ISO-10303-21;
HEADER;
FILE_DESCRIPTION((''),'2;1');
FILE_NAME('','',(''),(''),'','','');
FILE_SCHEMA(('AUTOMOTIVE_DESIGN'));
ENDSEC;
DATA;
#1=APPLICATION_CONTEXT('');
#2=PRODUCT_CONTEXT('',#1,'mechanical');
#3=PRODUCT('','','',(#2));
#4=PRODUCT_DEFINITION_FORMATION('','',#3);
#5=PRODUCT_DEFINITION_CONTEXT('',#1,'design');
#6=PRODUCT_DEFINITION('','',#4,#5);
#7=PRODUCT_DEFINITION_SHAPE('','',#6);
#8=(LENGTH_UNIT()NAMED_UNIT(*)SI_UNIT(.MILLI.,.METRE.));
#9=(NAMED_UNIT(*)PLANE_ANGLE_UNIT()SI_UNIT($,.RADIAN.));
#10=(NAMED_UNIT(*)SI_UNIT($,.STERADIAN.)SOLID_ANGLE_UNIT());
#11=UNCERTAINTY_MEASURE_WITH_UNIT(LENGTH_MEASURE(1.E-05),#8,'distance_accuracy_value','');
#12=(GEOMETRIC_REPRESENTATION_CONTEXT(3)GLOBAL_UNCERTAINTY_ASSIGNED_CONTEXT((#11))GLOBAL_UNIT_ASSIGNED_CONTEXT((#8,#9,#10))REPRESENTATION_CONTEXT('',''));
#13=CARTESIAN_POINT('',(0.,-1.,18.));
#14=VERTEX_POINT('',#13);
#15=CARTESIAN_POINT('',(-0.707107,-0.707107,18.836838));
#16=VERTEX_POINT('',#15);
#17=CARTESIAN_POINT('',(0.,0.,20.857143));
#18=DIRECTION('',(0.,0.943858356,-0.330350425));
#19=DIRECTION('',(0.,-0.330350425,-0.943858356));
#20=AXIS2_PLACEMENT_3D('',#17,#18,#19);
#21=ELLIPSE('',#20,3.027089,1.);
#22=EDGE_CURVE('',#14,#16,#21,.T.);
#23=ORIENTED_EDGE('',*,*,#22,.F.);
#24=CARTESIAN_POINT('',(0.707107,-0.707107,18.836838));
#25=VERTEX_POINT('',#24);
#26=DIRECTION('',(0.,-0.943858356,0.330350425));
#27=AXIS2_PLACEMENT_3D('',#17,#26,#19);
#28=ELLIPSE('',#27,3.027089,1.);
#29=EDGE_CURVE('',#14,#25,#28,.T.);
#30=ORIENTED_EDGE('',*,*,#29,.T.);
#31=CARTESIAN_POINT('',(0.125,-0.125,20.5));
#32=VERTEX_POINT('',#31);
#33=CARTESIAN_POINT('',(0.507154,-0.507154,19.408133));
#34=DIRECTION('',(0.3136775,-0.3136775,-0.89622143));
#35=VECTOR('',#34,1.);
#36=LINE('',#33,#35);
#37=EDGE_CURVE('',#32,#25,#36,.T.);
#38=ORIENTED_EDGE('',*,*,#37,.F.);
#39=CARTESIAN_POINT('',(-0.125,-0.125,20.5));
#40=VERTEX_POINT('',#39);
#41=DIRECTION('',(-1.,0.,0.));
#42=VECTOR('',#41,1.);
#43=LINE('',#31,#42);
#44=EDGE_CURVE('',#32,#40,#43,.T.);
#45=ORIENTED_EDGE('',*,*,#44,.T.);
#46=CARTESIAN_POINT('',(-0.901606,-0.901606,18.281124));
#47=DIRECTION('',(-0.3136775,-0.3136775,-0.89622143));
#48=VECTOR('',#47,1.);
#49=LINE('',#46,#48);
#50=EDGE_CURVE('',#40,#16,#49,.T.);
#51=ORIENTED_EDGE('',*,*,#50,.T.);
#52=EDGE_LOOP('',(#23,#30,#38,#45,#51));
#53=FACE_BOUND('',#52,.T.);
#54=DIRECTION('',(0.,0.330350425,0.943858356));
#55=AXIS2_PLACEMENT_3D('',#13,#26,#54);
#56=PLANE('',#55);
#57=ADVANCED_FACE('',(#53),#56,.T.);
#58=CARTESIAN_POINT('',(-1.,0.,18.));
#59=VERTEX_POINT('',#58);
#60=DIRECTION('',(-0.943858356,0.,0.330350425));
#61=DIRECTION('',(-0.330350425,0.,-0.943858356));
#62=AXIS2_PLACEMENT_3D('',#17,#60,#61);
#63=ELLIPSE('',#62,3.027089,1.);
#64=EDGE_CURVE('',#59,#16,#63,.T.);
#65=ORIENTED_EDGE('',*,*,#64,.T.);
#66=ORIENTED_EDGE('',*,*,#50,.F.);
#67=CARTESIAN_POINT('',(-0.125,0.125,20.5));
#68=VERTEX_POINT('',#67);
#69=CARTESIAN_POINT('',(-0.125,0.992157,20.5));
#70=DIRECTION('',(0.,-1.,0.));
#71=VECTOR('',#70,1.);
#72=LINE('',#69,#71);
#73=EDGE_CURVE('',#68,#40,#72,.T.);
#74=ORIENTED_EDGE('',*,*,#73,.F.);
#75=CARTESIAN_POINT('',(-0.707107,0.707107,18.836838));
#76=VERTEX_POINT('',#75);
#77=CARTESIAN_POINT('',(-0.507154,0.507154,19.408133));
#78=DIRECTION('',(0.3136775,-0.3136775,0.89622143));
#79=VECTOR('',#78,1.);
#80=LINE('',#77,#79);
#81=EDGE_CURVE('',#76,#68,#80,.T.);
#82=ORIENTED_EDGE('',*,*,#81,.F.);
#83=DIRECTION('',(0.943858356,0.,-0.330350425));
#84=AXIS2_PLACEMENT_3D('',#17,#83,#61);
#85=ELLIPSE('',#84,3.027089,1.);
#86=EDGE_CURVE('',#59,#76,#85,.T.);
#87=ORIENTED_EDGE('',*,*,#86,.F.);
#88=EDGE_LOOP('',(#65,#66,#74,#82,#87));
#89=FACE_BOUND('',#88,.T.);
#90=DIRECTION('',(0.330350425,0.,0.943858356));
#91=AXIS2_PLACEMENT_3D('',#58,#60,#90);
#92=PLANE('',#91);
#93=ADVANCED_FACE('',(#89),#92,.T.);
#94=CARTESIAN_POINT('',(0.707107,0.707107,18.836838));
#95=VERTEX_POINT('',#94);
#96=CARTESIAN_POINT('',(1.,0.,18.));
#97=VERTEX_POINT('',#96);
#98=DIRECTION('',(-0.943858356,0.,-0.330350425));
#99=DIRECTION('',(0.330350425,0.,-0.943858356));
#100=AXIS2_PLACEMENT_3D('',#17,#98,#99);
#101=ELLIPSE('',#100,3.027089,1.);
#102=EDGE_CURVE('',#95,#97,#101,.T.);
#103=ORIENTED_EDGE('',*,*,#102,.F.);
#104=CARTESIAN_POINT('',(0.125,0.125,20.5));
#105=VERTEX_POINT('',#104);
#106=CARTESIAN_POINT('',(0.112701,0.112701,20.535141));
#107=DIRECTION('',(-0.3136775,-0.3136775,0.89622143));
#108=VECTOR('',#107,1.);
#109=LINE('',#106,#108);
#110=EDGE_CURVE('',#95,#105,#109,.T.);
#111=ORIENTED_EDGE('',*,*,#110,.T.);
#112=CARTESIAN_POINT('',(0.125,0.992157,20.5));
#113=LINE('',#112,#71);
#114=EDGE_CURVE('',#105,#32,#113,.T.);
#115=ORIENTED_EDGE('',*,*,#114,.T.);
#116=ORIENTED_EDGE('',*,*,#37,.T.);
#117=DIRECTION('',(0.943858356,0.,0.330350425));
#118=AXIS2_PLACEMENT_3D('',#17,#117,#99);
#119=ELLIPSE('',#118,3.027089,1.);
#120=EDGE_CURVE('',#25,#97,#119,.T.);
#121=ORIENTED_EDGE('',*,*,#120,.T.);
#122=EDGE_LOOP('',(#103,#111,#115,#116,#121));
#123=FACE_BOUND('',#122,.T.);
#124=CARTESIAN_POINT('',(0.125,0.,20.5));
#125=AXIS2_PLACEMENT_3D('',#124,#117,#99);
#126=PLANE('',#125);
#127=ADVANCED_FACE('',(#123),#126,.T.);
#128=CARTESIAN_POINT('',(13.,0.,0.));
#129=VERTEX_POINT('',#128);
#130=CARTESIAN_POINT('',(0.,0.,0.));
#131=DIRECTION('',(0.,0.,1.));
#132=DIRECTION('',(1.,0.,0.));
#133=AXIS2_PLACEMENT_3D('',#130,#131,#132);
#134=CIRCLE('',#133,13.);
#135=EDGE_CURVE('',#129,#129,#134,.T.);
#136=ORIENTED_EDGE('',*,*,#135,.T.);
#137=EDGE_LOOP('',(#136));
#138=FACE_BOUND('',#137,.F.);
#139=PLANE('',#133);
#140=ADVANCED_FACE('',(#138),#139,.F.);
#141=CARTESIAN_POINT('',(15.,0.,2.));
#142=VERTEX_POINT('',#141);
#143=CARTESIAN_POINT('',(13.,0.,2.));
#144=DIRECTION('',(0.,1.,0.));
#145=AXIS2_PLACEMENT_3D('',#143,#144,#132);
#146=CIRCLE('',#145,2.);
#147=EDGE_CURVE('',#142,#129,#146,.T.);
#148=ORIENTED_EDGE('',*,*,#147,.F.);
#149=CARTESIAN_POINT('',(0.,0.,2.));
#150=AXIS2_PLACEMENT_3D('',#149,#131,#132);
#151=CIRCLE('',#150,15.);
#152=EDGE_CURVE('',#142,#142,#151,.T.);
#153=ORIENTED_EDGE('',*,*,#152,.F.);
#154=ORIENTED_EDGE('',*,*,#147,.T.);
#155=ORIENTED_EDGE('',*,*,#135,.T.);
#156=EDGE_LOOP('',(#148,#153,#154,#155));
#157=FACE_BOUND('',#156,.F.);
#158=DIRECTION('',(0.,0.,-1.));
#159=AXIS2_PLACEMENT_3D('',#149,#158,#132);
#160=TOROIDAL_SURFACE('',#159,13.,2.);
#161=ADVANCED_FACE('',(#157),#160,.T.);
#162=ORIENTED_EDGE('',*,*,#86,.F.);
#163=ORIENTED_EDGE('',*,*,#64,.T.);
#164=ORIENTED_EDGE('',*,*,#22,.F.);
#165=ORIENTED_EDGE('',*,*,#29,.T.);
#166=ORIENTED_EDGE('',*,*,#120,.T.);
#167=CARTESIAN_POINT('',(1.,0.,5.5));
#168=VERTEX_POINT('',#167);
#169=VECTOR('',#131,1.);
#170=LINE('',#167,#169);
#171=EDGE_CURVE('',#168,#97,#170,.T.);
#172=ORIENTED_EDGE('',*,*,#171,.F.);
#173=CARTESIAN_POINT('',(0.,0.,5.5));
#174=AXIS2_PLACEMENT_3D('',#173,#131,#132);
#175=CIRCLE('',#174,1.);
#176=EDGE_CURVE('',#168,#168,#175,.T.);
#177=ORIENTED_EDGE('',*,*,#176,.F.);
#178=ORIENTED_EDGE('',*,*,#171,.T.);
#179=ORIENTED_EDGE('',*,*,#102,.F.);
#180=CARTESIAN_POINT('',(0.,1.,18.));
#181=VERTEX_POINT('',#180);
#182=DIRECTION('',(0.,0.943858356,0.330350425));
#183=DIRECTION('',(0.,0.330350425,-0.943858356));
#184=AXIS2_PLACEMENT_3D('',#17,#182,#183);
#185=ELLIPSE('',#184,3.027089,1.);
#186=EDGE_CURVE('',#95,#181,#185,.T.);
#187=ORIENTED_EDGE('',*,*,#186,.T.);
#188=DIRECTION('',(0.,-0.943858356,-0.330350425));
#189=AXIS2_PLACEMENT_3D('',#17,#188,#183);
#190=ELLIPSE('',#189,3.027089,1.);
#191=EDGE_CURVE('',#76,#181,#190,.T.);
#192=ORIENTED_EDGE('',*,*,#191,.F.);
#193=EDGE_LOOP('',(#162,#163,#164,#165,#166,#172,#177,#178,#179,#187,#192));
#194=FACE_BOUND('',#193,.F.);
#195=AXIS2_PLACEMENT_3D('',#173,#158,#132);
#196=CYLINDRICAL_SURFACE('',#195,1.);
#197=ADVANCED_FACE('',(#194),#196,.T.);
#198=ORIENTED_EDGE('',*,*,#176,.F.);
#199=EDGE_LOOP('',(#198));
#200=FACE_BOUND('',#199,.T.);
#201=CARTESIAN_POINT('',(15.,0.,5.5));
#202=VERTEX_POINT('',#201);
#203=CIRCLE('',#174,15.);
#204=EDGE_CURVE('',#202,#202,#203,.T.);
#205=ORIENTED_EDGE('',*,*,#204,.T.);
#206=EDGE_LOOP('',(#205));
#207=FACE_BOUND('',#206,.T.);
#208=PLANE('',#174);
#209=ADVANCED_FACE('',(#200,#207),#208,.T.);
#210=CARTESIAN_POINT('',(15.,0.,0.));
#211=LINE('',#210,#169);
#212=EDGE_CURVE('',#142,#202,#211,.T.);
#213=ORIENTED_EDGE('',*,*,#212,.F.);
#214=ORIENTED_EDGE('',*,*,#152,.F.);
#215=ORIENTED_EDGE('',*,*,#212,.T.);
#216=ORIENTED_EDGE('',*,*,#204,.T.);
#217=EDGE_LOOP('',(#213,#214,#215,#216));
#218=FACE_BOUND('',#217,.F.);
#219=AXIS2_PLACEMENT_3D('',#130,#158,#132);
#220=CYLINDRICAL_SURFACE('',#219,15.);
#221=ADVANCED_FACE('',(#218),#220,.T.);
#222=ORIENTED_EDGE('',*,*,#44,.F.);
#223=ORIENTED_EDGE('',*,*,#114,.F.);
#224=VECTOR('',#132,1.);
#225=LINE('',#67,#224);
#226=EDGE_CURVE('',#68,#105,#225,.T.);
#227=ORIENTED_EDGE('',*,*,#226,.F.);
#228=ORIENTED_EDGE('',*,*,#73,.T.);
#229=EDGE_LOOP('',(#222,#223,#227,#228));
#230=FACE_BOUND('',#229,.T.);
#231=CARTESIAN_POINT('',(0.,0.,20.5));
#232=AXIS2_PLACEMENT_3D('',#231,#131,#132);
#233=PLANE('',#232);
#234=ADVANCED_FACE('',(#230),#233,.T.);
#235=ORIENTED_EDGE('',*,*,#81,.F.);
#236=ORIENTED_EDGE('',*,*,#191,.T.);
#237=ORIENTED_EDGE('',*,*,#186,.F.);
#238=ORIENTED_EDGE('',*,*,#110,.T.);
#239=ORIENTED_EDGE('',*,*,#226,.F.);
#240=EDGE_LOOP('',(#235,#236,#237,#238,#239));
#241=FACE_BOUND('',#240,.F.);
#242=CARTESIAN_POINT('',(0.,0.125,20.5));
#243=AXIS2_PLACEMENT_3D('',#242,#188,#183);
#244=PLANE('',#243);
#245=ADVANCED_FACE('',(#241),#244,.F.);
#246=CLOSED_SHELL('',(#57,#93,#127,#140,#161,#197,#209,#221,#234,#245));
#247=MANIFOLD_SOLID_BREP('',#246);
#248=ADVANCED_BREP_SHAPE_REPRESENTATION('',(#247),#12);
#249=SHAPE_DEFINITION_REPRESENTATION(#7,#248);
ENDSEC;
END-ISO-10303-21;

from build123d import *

# Parameters (mm, degrees)
F0_R          = 15
F1_DEPTH      = 5.5
F2_R          = 2
F3_R          = 1
F4_DEPTH      = 15
F6_DEPTH      = 15.001
F6_DEPTH_BACK = 15.001
F8_DEPTH      = 15.001
F8_DEPTH_BACK = 15.001


with BuildPart() as f1:
    # F0 (on Top) → F1 (new body)
    with BuildSketch(Plane.XY):
        Circle(F0_R)
    extrude(amount=F1_DEPTH)

    # F2
    f2_edges = [f1.edges().sort_by_distance(p)[0] for p in [
        (-15, 0, 0),
    ]]
    fillet(f2_edges, radius=F2_R)

    # F3 (on face) → F4 (join)
    with BuildSketch(Plane.XY.offset(5.5)):
        Circle(F3_R)
    extrude(amount=F4_DEPTH)

    # F5 (on Front) → F6 (cut, two sides)
    with BuildSketch(Plane.XZ) as f6_sk:
        Polygon((1, 20.5), (0.125, 20.5), (1, 18), align=None)
        Polygon((-0.125, 20.5), (-1, 20.5), (-1, 18), align=None)
    extrude(amount=-F6_DEPTH, mode=Mode.SUBTRACT)
    extrude(f6_sk.sketch, amount=F6_DEPTH_BACK, mode=Mode.SUBTRACT)

    # F7 (on Right) → F8 (cut, two sides)
    with BuildSketch(Plane.YZ) as f8_sk:
        Polygon((-0.9921567416, 20.5), (-1, 20.5), (-1, 18), (-0.125, 20.5), align=None)
        Polygon((1, 20.5), (0.9921567416, 20.5), (0.125, 20.5), (1, 18), align=None)
    extrude(amount=F8_DEPTH, mode=Mode.SUBTRACT)
    extrude(f8_sk.sketch, amount=-F8_DEPTH_BACK, mode=Mode.SUBTRACT)


solid = f1.part
